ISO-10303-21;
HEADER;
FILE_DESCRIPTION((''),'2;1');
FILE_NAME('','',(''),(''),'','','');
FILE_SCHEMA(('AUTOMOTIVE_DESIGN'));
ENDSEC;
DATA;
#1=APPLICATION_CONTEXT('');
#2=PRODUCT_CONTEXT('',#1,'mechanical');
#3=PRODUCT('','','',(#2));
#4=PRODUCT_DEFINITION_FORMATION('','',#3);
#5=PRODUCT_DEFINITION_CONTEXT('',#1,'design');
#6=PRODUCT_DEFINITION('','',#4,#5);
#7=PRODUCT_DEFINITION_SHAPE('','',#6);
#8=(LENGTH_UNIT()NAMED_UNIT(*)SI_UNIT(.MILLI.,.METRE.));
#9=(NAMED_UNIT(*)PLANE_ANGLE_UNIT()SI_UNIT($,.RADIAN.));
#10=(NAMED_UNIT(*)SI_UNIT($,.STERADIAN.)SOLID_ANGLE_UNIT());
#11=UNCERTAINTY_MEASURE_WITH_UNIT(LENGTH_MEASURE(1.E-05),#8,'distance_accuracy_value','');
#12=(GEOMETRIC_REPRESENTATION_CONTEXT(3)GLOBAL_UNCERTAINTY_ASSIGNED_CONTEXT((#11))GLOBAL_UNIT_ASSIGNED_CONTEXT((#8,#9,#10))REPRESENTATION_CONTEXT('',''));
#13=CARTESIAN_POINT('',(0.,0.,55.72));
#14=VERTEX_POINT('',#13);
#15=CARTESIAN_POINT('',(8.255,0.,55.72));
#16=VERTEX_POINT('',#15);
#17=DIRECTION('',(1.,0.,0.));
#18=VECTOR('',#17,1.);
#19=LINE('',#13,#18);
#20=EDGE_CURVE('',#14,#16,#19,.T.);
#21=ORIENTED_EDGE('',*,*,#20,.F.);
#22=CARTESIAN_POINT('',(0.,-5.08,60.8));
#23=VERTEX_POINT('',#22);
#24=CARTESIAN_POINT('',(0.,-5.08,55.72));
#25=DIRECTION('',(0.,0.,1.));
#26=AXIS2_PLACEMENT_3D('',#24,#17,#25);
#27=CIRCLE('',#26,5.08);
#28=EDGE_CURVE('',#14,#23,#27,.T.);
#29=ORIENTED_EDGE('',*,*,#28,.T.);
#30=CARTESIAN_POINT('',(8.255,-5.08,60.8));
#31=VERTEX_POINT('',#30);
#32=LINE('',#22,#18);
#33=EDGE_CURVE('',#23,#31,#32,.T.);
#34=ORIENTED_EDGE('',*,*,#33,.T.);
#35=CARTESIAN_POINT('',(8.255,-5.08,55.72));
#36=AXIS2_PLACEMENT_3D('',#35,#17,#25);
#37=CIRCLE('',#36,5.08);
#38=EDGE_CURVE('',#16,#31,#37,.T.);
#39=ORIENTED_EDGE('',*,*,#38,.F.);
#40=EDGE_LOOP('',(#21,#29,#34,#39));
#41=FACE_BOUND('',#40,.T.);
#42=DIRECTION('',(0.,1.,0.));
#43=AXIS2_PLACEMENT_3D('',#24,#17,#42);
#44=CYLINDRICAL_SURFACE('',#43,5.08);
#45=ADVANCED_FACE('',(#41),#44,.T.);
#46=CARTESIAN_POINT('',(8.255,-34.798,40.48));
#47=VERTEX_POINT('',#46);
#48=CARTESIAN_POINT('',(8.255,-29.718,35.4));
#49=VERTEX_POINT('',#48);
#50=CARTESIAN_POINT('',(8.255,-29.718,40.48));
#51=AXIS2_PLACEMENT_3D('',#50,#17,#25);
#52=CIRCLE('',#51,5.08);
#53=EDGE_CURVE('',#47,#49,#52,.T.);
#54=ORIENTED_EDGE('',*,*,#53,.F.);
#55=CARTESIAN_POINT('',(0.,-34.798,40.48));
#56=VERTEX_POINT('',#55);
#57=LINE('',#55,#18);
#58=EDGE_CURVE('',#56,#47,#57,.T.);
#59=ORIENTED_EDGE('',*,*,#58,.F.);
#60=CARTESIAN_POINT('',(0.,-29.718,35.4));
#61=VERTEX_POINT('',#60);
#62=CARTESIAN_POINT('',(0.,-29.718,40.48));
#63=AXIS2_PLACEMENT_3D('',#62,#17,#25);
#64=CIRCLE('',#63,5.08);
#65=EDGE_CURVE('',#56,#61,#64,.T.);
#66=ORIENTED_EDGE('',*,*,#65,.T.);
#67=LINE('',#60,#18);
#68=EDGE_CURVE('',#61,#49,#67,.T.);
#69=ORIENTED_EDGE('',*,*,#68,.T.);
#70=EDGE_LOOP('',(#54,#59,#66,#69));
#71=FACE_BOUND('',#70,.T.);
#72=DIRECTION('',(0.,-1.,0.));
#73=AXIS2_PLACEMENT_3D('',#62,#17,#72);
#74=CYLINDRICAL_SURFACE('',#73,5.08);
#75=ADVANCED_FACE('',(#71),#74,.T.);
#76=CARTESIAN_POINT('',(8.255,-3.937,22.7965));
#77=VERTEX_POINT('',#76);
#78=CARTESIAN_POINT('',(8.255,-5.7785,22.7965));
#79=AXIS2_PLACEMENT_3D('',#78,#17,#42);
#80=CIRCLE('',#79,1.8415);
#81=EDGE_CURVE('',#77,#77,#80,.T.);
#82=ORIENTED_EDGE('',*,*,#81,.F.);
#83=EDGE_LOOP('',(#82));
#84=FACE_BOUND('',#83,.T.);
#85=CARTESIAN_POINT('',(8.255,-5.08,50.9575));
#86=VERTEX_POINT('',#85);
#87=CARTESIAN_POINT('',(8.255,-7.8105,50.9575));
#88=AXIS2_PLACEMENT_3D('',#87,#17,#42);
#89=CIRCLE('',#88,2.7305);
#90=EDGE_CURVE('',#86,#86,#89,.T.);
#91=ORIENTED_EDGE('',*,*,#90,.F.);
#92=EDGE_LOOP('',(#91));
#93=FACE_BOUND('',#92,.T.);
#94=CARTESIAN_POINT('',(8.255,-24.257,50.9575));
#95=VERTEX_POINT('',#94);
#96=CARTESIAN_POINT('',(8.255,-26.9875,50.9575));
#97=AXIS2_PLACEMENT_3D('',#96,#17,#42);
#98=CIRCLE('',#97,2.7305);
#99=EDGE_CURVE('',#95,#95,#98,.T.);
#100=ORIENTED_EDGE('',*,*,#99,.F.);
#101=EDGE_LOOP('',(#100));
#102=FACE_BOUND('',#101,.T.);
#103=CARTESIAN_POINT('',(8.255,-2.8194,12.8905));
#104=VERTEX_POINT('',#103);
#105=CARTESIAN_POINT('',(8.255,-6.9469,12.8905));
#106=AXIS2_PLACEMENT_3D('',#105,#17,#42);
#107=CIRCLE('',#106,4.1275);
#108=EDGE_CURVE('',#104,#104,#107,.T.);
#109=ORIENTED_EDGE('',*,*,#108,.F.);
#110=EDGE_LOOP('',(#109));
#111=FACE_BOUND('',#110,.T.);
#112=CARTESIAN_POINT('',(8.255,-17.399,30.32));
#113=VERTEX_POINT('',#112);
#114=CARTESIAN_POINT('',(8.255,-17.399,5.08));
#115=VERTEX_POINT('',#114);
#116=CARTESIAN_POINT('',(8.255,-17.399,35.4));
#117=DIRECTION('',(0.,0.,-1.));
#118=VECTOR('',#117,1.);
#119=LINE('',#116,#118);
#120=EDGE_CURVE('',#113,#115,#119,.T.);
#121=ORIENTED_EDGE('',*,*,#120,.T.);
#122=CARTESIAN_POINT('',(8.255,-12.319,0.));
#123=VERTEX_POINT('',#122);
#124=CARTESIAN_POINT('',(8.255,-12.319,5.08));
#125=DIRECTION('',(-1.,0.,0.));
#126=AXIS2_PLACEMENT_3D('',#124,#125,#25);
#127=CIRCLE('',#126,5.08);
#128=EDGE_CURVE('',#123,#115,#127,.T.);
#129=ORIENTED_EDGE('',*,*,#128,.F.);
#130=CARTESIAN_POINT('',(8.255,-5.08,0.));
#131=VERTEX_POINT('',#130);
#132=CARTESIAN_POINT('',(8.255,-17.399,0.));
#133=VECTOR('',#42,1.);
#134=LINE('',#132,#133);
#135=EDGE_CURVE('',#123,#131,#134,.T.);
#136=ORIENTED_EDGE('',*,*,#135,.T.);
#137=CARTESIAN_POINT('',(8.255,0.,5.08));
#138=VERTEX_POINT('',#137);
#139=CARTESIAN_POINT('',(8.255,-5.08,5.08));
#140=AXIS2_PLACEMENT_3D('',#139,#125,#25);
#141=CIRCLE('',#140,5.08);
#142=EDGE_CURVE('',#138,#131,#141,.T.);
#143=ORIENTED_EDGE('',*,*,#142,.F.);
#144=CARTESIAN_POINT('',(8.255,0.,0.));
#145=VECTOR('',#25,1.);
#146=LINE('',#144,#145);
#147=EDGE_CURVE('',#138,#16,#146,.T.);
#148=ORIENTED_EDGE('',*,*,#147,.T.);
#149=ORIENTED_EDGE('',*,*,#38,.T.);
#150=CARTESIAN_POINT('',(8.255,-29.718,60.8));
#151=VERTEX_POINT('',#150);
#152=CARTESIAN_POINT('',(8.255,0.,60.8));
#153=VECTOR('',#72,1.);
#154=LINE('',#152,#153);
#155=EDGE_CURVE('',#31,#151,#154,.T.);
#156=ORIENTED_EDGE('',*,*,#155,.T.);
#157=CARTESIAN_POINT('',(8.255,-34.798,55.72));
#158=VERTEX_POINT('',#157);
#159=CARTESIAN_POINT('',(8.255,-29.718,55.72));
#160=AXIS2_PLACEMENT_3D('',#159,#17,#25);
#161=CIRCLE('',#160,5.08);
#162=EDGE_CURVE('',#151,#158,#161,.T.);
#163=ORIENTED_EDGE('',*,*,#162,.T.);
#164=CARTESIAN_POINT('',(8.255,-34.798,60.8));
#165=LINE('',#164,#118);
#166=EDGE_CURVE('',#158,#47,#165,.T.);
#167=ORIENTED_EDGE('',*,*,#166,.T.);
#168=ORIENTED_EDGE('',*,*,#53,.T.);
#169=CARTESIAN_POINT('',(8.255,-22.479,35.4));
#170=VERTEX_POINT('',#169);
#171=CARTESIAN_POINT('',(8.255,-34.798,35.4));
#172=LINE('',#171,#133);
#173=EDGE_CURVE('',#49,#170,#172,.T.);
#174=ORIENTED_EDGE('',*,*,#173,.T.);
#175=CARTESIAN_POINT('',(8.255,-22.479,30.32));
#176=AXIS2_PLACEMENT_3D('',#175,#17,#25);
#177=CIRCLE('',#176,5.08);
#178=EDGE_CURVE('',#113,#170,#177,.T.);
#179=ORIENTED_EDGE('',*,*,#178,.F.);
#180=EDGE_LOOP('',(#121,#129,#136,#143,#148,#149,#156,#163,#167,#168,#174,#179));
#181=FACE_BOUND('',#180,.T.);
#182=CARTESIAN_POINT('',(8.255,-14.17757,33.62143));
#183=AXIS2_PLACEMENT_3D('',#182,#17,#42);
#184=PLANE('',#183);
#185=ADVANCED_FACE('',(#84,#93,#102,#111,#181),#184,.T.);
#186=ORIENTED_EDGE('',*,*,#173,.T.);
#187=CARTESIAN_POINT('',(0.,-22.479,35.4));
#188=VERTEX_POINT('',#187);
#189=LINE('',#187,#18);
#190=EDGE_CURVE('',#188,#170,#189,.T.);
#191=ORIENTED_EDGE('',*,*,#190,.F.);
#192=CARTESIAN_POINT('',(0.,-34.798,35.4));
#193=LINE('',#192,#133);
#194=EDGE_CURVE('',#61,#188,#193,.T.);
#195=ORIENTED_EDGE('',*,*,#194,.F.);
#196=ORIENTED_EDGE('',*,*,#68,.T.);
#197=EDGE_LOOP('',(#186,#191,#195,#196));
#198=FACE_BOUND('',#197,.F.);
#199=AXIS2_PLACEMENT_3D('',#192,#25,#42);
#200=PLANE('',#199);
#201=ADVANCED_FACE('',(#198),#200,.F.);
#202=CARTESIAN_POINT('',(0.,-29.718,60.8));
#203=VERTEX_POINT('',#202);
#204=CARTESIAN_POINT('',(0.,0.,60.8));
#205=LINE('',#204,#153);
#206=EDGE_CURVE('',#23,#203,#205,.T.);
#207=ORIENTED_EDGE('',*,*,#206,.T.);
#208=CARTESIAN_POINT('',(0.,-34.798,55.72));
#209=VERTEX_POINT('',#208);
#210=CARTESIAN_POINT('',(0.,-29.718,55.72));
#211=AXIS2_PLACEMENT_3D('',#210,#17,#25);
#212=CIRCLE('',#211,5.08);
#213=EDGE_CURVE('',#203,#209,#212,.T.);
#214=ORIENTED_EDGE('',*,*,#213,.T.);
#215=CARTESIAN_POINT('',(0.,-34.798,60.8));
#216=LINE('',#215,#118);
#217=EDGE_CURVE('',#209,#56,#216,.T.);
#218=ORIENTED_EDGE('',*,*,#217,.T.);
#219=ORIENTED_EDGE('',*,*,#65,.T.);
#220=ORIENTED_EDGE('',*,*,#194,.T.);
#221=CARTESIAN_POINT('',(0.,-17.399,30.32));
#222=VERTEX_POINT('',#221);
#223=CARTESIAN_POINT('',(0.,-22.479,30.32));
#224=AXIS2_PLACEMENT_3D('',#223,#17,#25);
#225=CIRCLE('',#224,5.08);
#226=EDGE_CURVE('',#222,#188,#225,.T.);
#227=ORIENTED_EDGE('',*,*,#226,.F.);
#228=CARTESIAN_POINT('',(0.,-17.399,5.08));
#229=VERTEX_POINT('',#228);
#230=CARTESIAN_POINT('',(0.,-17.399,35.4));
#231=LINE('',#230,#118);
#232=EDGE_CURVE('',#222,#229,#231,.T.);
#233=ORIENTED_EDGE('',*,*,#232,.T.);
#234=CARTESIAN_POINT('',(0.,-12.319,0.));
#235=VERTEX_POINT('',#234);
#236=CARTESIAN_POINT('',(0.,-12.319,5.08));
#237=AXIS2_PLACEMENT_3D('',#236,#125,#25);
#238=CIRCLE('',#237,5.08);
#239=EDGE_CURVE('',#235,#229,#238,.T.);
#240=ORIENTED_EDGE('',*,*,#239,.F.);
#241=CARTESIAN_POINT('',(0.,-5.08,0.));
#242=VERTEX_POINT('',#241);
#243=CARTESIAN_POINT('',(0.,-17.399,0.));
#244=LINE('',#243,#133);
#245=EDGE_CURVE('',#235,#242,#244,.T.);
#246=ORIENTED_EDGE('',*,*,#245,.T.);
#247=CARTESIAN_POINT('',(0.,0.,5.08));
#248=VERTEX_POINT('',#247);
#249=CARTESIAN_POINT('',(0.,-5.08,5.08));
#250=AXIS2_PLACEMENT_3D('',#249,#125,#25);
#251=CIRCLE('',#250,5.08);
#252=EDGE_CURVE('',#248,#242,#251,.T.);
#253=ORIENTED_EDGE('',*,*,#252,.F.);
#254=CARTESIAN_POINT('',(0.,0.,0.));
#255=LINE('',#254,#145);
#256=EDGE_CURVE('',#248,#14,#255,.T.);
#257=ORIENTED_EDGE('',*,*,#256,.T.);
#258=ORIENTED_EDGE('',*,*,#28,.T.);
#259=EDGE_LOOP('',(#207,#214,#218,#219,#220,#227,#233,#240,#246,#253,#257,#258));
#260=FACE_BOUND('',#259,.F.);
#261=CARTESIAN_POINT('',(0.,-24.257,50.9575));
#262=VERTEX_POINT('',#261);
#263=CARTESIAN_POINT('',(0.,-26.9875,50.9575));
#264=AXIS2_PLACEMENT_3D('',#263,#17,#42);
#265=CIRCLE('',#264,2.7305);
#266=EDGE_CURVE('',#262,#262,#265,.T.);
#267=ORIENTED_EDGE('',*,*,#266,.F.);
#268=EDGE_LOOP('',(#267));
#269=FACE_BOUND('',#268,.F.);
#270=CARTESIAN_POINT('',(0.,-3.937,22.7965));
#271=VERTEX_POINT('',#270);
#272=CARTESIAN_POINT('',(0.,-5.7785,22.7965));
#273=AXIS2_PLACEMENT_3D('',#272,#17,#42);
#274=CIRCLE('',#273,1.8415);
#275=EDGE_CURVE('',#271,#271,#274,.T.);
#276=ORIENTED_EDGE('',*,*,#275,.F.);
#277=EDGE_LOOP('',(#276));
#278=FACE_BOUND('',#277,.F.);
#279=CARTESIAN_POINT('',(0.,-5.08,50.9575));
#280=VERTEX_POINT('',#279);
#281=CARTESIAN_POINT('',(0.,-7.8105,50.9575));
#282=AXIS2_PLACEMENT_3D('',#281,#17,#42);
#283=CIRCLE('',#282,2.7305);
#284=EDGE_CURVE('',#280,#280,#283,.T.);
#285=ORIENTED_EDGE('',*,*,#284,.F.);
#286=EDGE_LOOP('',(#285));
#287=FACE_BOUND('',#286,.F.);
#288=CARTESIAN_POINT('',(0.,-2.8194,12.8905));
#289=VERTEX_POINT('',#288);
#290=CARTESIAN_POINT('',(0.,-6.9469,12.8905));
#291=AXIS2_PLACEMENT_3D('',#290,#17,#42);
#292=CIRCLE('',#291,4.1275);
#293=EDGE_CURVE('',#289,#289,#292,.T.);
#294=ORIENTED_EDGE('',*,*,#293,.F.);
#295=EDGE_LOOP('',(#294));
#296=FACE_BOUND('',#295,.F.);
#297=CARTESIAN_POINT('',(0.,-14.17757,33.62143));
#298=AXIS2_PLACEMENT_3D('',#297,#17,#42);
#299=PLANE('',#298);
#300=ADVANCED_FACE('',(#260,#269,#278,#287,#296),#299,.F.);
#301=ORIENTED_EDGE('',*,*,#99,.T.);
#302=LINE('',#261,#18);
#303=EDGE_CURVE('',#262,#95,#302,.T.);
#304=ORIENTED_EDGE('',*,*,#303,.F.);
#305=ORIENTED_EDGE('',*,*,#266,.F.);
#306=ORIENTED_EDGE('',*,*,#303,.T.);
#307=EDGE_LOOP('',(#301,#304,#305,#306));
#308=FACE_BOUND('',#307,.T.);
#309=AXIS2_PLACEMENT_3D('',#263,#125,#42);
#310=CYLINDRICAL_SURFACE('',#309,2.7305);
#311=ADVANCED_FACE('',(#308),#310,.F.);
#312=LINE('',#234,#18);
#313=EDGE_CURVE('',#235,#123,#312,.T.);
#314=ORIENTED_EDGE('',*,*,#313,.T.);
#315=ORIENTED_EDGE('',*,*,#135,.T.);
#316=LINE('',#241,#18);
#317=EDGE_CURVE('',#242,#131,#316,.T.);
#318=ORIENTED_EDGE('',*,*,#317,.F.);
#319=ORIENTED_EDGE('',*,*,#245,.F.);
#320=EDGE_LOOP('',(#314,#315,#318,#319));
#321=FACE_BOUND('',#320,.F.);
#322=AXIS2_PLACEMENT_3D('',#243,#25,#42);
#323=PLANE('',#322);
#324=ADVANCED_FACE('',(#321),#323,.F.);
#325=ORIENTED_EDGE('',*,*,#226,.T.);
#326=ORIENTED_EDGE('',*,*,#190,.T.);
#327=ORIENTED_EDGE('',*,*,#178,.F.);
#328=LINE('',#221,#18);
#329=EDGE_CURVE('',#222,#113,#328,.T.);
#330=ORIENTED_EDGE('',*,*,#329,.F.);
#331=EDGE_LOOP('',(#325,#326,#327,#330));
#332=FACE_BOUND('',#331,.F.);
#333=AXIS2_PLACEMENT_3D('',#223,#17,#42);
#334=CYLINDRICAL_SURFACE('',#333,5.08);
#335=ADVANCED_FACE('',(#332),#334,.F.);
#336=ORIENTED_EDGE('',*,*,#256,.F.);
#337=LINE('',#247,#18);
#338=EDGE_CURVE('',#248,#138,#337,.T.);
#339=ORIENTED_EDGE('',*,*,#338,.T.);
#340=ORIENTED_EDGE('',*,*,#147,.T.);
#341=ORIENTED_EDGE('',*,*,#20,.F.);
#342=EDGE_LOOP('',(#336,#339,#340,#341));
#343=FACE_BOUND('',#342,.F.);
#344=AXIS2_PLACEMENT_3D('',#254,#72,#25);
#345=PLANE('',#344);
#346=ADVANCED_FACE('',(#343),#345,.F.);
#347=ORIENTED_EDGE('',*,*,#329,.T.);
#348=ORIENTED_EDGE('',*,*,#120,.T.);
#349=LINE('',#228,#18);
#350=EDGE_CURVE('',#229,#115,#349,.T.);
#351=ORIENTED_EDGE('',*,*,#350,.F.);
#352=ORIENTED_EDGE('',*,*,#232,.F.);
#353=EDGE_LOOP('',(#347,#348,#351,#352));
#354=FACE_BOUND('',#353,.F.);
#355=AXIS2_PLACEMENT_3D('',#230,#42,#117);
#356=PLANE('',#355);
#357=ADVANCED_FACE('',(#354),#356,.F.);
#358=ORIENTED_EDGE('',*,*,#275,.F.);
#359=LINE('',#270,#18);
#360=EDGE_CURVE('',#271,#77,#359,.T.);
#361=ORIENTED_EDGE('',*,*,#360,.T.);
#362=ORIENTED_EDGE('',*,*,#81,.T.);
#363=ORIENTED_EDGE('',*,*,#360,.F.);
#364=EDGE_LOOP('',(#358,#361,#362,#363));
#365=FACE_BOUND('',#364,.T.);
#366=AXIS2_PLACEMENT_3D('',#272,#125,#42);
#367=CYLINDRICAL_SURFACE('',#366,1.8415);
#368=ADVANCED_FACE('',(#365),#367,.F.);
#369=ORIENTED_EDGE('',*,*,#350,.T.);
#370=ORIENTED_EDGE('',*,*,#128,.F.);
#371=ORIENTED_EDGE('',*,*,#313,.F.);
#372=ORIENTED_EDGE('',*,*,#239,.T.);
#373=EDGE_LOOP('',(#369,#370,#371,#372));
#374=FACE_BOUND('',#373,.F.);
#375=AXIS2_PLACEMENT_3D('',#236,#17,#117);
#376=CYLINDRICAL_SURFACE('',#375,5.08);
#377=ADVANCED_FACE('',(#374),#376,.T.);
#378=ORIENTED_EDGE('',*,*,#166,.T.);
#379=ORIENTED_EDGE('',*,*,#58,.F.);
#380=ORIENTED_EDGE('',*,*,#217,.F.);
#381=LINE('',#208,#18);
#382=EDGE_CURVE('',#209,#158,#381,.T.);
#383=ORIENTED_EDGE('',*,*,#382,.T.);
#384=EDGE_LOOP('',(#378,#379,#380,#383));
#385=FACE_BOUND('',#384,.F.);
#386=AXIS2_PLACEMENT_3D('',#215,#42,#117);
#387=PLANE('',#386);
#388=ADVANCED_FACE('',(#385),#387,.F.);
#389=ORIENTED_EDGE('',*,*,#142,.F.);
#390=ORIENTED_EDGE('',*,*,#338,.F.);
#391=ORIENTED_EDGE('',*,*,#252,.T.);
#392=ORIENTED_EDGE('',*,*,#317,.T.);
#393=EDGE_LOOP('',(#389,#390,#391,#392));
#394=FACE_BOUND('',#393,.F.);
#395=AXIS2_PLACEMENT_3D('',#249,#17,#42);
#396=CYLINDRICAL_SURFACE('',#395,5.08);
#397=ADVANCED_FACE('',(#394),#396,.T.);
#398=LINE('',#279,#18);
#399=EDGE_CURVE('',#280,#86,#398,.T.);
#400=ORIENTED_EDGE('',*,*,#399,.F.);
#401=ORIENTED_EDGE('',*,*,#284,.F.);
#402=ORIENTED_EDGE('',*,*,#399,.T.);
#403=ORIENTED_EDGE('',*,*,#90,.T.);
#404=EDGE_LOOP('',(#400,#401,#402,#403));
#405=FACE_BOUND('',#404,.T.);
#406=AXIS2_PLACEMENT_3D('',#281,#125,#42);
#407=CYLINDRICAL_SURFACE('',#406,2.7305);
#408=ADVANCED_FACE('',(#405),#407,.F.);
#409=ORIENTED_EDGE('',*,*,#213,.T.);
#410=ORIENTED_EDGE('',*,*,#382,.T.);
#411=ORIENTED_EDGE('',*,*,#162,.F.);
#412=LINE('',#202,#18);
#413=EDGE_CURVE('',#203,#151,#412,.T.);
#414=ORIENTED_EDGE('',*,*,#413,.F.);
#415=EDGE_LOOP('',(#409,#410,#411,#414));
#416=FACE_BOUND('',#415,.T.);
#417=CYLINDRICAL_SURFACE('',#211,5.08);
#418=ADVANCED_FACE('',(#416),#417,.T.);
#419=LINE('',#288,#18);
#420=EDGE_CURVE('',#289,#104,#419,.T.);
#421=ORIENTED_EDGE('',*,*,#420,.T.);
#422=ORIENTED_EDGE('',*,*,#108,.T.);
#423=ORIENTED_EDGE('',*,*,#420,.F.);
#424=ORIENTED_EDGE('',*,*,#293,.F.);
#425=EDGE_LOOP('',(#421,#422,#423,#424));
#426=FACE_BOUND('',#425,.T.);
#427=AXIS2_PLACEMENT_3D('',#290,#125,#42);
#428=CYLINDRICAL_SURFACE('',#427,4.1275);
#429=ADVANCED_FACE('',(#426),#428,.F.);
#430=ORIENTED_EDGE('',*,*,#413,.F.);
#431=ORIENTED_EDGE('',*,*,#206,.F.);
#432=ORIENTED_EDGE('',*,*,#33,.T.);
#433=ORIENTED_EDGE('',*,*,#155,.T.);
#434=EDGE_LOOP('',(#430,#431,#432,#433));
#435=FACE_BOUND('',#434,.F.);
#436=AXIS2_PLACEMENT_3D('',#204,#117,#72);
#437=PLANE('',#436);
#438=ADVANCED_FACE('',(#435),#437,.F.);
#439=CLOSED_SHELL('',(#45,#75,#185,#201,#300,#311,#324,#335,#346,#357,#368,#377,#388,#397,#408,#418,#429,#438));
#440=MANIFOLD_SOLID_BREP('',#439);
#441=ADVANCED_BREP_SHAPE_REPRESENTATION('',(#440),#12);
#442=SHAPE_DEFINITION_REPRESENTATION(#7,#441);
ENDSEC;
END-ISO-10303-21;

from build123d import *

# Parameters (mm, degrees)
F0_R     = 4.1275
F0_R_2   = 1.8415
F0_R_3   = 2.7305
F1_DEPTH = 8.255
F2_R     = 5.08
F3_R     = 5.08


with BuildPart() as f1:
    # F0 (on Right) → F1 (new body)
    with BuildSketch(Plane.YZ):
        Polygon((-17.399, 0), (0, 0), (0, 60.8), (-34.798, 60.8), (-34.798, 35.4), (-17.399, 35.4), align=None)
        with Locations((-6.9469, 12.8905)):
            Circle(F0_R, mode=Mode.SUBTRACT)
        with Locations((-5.7785, 22.7965)):
            Circle(F0_R_2, mode=Mode.SUBTRACT)
        with Locations((-26.9875, 50.9575)):
            Circle(F0_R_3, mode=Mode.SUBTRACT)
        with Locations((-7.8105, 50.9575)):
            Circle(F0_R_3, mode=Mode.SUBTRACT)
    extrude(amount=F1_DEPTH)

    # F2
    f2_edges = [f1.edges().sort_by_distance(p)[0] for p in [
        (4.1275, 0, 60.8),
    ]]
    fillet(f2_edges, radius=F2_R)

    # F3
    f3_edges = [f1.edges().sort_by_distance(p)[0] for p in [
        (4.1275, 0, 0),
        (4.1275, -17.399, 0),
        (4.1275, -17.399, 35.4),
        (4.1275, -34.798, 35.4),
        (4.1275, -34.798, 60.8),
    ]]
    fillet(f3_edges, radius=F3_R)


solid = f1.part
